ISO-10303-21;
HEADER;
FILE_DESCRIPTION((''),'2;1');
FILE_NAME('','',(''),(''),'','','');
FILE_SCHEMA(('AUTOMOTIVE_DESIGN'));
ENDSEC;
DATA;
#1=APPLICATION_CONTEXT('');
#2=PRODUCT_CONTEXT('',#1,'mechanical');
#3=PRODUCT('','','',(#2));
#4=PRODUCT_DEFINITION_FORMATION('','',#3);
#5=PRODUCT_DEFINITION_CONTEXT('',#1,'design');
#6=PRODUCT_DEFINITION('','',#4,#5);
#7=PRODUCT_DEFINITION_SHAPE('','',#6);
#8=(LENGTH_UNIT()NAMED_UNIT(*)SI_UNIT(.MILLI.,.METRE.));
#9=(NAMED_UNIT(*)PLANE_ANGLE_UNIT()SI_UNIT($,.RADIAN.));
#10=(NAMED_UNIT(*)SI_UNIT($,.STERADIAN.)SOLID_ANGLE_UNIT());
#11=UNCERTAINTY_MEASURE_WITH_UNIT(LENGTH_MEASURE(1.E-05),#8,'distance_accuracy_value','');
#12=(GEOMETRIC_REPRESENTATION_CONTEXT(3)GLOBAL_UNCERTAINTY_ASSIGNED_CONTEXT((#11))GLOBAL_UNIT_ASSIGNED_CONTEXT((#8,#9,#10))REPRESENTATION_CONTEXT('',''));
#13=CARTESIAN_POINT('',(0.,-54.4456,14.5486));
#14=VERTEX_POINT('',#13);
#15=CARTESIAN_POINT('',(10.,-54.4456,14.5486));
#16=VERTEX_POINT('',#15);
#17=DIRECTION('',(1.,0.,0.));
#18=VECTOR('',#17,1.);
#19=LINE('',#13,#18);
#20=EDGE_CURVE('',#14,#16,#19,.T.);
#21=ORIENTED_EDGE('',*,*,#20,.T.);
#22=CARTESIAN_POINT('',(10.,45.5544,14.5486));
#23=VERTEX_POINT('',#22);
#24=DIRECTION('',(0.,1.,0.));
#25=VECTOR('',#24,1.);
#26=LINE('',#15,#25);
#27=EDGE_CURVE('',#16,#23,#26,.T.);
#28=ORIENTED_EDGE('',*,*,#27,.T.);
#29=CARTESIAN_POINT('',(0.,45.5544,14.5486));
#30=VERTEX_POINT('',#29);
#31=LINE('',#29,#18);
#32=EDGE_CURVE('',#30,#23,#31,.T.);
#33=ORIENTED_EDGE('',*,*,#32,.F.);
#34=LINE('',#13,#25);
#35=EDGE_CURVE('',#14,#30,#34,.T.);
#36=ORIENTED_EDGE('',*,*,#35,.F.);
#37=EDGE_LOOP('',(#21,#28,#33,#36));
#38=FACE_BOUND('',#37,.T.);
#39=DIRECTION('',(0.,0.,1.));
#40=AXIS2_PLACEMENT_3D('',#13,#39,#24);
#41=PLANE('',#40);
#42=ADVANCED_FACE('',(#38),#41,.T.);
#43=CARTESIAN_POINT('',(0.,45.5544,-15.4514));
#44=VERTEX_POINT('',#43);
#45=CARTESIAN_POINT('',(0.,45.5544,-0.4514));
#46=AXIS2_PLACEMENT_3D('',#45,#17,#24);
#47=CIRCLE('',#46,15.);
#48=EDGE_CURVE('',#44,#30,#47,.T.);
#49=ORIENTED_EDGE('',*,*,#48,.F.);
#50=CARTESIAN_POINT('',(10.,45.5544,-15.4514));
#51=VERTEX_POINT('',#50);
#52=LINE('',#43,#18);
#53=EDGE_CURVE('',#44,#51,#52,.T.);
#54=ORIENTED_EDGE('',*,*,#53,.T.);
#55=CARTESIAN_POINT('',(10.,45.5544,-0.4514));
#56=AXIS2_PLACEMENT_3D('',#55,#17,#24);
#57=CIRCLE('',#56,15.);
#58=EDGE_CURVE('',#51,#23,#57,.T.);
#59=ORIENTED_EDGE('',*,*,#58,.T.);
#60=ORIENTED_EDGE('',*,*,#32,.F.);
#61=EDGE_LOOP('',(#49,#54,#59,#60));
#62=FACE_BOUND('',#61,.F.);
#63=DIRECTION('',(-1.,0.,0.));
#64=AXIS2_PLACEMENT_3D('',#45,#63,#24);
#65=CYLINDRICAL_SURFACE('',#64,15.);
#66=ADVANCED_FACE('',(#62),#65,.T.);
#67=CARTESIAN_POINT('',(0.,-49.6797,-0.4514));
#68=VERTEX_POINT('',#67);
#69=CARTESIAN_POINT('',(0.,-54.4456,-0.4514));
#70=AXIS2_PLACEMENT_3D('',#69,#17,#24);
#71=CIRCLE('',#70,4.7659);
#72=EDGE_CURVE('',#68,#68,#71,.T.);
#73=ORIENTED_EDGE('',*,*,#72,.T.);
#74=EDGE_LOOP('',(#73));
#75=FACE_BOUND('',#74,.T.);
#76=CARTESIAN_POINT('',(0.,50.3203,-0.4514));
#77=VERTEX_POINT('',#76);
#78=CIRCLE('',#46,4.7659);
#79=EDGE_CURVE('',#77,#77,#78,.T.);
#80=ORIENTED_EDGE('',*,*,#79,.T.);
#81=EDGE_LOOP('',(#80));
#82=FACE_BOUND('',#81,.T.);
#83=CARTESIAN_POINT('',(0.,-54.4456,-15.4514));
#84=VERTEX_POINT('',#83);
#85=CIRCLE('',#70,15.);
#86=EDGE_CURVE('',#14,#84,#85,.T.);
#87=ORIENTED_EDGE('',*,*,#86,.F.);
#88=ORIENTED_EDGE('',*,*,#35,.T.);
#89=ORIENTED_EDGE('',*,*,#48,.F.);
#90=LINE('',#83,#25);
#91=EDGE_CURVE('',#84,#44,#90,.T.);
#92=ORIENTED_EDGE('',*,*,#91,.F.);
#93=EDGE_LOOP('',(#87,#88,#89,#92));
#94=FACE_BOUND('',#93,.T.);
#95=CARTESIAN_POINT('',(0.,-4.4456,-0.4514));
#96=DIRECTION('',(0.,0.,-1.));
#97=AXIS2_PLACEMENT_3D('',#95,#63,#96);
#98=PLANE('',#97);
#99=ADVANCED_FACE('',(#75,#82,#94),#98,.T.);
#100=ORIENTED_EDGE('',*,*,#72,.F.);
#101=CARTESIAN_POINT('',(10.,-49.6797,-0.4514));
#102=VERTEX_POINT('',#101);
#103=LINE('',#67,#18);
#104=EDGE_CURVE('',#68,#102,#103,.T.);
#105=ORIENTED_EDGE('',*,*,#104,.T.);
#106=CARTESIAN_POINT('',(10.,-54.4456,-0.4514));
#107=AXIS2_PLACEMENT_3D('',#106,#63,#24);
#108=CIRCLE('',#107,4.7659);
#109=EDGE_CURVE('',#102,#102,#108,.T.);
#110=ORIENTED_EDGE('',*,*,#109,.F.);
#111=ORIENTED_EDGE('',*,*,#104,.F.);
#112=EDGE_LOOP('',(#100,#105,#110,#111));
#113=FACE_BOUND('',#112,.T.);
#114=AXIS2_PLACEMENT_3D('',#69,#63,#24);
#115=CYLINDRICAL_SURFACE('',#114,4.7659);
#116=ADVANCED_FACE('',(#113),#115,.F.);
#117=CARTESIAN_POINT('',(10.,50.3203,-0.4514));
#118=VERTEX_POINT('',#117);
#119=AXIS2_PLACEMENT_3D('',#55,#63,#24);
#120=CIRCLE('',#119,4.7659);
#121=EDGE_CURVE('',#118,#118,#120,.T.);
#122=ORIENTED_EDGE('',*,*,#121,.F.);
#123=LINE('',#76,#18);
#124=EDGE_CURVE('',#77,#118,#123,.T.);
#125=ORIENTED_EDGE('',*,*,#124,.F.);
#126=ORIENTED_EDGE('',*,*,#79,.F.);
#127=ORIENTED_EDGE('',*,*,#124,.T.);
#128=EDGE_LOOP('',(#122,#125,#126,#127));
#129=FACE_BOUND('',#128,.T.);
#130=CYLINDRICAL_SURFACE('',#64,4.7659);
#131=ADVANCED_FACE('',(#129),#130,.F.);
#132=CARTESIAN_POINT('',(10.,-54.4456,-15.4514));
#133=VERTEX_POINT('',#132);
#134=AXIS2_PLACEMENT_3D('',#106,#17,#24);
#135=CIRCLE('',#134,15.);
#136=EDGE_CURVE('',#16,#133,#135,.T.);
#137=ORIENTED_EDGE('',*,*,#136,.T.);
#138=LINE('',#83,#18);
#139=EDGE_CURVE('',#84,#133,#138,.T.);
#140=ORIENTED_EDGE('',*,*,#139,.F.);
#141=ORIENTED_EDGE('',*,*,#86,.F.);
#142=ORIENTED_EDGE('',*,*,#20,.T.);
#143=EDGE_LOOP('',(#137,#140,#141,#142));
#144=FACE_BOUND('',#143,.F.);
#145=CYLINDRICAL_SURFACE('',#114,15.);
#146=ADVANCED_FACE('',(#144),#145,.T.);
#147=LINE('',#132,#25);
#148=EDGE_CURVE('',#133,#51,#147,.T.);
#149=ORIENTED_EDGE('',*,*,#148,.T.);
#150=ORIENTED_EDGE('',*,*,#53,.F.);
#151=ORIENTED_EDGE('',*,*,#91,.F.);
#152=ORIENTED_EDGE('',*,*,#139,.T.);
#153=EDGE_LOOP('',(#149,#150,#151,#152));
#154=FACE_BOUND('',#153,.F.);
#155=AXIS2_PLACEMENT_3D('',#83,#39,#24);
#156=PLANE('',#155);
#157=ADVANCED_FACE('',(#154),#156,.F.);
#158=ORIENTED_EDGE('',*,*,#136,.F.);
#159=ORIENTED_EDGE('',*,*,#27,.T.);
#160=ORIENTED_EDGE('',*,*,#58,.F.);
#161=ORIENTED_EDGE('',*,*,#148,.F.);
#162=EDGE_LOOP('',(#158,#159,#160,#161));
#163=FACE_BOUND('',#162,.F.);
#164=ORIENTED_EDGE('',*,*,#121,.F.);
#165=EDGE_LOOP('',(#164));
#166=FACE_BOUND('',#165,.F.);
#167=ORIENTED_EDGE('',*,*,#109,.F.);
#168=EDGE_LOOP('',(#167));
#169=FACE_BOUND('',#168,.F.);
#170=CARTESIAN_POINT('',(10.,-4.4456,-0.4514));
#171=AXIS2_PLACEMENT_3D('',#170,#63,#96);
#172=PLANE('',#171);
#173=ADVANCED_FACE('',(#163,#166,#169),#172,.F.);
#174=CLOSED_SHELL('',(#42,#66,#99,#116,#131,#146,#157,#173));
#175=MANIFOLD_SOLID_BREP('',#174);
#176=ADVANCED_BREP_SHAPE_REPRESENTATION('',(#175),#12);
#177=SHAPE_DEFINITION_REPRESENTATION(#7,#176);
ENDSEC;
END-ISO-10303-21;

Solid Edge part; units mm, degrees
sketch "Sketch1" plane through (0, 0, 0) normal (1, 0, 0) x (0, 1, 0)
  line L0 (-54.4456, 14.5486) -> (45.5544, 14.5486)
  arc A0 (45.5544, -15.4514) -> (45.5544, 14.5486) centre (45.5544, -0.4514) ccw
  line L1 (-54.4456, -15.4514) -> (45.5544, -15.4514)
  arc A1 (-54.4456, 14.5486) -> (-54.4456, -15.4514) centre (-54.4456, -0.4514) ccw
extrude "Protrusion1" add sketch "Sketch1" along normal blind 10
sketch "Sketch2" plane through (0, 0, 0) normal (1, 0, 0) x (0, 1, 0)
  circle A0 centre (-54.4456, -0.4514) radius 4.7659
  circle A1 centre (45.5544, -0.4514) radius 4.7659
  dimension "D1" = 100
  dimension "D2" = 15
extrude "Cutout1" cut sketch "Sketch2" along normal blind 53.975
